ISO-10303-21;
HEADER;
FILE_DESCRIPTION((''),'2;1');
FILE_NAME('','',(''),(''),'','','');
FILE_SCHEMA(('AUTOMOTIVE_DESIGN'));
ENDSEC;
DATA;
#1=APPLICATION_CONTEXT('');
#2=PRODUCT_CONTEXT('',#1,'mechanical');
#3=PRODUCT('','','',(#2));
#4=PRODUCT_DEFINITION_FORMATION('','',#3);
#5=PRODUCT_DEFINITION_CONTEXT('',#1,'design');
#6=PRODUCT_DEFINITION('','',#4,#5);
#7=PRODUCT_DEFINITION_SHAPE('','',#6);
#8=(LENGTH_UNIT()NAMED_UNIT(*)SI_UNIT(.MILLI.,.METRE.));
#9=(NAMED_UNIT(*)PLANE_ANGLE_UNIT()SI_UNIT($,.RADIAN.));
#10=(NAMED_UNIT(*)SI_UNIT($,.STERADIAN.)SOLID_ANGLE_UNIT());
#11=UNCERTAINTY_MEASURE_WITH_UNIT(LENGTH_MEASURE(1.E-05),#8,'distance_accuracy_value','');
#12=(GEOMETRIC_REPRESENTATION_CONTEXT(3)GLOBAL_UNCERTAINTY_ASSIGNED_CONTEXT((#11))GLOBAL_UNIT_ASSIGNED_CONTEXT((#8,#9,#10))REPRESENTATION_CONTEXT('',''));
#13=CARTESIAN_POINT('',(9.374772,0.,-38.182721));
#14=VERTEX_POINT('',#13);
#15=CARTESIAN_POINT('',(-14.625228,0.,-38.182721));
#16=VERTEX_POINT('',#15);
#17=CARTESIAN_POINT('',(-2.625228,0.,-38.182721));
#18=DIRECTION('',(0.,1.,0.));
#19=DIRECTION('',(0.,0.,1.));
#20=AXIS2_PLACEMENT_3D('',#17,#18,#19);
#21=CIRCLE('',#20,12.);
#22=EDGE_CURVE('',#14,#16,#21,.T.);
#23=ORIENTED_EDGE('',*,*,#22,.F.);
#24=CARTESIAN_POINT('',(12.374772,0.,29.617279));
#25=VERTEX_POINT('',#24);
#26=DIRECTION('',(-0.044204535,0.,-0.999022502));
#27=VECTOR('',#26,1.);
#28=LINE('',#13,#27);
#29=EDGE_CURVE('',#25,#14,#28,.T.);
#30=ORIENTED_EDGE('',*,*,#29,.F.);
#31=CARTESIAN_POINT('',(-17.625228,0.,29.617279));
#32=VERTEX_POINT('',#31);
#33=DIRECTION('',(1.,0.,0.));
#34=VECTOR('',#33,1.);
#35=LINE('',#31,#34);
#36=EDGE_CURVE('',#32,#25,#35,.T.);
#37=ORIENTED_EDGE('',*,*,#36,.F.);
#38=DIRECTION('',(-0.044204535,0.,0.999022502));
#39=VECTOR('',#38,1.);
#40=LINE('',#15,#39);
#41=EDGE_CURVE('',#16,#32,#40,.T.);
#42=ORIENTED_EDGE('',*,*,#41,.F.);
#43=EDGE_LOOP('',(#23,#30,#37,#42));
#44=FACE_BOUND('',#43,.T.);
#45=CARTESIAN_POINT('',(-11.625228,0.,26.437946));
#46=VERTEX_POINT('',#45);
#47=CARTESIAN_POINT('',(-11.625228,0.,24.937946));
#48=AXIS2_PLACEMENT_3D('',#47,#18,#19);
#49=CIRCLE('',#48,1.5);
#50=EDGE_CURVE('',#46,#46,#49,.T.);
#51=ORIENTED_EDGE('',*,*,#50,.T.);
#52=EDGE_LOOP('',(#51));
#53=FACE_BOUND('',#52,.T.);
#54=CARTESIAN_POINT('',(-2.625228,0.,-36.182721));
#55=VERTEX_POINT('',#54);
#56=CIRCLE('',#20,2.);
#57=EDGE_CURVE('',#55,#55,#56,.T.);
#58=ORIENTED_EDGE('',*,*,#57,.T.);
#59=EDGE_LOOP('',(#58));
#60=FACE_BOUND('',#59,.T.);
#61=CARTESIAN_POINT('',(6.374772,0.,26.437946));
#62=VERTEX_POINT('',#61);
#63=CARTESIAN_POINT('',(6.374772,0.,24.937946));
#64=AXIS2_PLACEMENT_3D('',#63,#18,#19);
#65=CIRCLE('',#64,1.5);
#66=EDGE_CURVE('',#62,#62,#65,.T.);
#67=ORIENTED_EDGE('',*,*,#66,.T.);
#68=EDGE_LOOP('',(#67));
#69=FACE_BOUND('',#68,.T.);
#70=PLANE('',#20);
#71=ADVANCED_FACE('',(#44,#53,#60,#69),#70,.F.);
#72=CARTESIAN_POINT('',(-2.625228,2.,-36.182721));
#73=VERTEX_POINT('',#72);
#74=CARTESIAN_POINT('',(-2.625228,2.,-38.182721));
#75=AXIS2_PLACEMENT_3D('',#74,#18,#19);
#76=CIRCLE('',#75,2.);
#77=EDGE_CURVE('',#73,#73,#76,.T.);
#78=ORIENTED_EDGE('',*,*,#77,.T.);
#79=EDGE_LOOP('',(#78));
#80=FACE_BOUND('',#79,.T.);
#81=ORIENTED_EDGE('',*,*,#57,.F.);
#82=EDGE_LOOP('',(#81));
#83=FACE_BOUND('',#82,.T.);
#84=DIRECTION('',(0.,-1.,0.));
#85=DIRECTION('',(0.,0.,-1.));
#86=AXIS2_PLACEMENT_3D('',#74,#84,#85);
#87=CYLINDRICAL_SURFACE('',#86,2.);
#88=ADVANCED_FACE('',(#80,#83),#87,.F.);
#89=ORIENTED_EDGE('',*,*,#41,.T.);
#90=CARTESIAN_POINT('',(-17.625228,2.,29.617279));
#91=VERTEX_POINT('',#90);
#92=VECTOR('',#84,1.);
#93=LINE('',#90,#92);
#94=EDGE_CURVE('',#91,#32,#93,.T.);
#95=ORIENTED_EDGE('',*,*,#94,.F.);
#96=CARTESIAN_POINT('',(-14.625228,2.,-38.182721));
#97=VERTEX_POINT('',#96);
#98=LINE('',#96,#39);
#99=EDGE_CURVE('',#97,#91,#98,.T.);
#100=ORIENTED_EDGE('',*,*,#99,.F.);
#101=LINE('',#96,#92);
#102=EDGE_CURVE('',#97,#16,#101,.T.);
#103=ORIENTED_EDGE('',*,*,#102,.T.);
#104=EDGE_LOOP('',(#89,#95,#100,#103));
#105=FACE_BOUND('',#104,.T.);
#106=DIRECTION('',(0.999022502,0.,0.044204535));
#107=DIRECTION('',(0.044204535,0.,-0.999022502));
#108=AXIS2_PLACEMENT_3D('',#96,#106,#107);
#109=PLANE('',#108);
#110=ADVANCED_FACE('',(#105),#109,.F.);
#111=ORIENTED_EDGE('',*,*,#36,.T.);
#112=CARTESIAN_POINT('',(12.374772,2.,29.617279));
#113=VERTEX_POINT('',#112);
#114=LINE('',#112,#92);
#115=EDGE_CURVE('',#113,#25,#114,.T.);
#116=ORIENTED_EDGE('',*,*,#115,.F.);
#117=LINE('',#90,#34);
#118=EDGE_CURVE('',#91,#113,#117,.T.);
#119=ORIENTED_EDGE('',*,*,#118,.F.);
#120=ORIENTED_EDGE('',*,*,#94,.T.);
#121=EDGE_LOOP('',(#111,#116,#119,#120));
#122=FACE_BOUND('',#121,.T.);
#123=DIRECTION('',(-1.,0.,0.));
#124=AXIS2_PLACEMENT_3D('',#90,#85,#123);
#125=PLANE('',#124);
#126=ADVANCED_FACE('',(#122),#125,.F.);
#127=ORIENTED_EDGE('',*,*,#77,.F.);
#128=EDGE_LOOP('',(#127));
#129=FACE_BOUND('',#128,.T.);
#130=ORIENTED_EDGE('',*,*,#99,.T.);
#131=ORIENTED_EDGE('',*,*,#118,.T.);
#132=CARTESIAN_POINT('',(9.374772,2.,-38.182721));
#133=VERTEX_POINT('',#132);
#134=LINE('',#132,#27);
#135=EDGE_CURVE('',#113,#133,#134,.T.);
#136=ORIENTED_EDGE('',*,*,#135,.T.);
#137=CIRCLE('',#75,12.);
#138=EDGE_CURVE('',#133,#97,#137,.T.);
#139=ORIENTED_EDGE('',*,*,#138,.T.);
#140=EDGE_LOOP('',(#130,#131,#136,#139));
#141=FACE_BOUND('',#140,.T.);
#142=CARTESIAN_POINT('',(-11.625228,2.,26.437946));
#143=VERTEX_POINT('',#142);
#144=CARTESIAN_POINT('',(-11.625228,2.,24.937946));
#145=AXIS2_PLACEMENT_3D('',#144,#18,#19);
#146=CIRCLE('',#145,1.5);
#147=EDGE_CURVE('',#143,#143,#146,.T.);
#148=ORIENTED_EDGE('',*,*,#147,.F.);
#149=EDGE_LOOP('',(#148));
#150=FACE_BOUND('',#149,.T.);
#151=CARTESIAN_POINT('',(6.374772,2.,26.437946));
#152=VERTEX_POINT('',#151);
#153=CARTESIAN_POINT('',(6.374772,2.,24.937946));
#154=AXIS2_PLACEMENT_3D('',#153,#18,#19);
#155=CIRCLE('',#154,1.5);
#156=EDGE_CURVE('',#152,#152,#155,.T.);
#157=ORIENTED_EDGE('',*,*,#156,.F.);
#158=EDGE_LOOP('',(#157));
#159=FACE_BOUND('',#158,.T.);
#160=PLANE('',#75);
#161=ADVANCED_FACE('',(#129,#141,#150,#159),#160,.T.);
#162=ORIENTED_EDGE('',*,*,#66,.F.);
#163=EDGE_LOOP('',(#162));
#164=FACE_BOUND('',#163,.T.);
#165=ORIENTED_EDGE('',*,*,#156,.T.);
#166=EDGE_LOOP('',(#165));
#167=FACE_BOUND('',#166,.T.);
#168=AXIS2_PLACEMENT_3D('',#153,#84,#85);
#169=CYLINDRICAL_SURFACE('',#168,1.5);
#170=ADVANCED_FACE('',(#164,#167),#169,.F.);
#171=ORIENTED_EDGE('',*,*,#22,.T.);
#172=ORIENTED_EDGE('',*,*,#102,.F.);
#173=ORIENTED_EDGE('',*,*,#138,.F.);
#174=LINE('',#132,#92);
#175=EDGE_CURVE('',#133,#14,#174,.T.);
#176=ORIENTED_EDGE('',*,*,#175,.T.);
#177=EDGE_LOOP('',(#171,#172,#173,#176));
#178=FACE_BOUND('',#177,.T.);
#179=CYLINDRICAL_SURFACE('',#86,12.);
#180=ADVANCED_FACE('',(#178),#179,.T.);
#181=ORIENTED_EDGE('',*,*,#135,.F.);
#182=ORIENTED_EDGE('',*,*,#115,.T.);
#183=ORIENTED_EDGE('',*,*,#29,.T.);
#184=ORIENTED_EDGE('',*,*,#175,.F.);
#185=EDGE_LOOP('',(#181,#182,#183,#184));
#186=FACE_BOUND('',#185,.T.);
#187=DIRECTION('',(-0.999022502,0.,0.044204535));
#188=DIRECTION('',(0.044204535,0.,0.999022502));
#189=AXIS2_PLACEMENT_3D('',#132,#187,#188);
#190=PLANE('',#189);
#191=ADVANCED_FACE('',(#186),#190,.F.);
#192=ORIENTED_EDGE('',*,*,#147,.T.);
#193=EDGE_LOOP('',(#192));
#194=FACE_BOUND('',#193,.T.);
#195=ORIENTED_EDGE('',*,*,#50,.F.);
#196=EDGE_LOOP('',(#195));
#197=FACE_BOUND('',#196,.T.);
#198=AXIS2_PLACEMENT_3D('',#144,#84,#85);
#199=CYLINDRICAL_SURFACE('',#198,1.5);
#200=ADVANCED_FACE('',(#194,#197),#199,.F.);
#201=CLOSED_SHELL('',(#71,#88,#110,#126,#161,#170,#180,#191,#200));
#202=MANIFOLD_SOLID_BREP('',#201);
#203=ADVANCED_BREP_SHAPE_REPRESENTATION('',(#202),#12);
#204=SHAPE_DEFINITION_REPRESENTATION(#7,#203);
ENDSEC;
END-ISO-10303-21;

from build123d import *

# Parameters (mm, degrees)
SKETCH_1_R      = 1.5
SKETCH_1_R_2    = 2
EXTRUDE_1_DEPTH = 2


with BuildPart() as part:
    # Эскиз1 → Бобышка-Вытянуть1 (new body)
    with BuildSketch(Plane(origin=(0, 0, 0), x_dir=(1, 0, 0), z_dir=(0, 1, 0))):
        with BuildLine():
            Line((-17.625227915, -29.617278809), (12.374772085, -29.617278809))
            Line((12.374772085, -29.617278809), (9.374772085, 38.182721191))
            ThreePointArc((9.374772085, 38.182721191), (-2.625227915, 50.182721191), (-14.625227915, 38.182721191))
            Line((-14.625227915, 38.182721191), (-17.625227915, -29.617278809))
        make_face()
        with Locations(Location((-11.625227915, -24.937945637, 0), (0, 0, 270))):
            Circle(SKETCH_1_R, mode=Mode.SUBTRACT)
        with Locations(Location((6.374772085, -24.937945637, 0), (0, 0, 270))):
            Circle(SKETCH_1_R, mode=Mode.SUBTRACT)
        with Locations(Location((-2.625227915, 38.182721191, 0), (0, 0, 270))):
            Circle(SKETCH_1_R_2, mode=Mode.SUBTRACT)
    extrude(amount=EXTRUDE_1_DEPTH)


solid = part.part
